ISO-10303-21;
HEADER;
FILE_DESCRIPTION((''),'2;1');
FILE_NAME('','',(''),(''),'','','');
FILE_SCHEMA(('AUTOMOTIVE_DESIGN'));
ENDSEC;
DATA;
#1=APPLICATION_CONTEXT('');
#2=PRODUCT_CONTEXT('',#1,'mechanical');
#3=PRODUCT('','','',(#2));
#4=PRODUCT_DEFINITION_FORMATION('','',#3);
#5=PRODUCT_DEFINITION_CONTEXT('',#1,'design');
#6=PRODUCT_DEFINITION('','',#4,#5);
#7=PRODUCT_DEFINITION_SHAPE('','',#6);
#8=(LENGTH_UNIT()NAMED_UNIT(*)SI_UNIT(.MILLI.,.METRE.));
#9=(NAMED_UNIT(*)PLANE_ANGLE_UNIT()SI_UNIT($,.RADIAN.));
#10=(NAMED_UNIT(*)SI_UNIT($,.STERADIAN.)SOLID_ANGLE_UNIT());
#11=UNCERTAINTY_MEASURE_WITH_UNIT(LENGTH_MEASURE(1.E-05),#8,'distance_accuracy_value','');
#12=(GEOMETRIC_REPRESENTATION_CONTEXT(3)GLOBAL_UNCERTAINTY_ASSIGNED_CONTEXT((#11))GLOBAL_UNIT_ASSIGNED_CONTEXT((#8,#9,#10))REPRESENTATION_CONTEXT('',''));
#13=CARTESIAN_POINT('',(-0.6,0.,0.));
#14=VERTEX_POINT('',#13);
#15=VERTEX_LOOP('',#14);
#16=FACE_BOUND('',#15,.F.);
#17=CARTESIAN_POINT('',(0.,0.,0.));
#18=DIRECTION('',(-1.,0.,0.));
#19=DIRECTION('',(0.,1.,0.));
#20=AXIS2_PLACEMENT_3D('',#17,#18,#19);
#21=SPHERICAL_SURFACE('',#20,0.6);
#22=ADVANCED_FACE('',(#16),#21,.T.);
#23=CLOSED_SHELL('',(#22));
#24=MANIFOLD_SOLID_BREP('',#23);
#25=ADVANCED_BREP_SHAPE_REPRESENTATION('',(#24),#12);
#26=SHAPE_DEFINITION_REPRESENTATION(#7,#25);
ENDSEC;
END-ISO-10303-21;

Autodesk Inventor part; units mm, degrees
sketch "Sketch_1" plane through (0, 0, 0) normal (0, 0, 1) x (1, 0, 0)
  line L0 (0.6, 0) -> (-0.6, 0)
  arc A0 (0.6, 0) -> (-0.6, 0) centre (0, 0) ccw
  line L1 (0.6, 0) -> (-0.6, 0)
revolve "Revolution1" add sketch "Sketch_1" angle 360 about axis through (0.6, 0, 0) along (1, 0, 0)
ref_plane "ip_st_1_XY" through (0, 0, 0) normal (-1, 0, 0) x (0, 0, -1)
ref_plane "ip_st_1_YZ" through (0, 0, 0) normal (0, 0, -1) x (0, -1, 0)
ref_plane "ip_st_1_ZX" through (0, 0, 0) normal (0, -1, 0) x (-1, 0, 0)
properties part number "MF84ZZ Ball"
